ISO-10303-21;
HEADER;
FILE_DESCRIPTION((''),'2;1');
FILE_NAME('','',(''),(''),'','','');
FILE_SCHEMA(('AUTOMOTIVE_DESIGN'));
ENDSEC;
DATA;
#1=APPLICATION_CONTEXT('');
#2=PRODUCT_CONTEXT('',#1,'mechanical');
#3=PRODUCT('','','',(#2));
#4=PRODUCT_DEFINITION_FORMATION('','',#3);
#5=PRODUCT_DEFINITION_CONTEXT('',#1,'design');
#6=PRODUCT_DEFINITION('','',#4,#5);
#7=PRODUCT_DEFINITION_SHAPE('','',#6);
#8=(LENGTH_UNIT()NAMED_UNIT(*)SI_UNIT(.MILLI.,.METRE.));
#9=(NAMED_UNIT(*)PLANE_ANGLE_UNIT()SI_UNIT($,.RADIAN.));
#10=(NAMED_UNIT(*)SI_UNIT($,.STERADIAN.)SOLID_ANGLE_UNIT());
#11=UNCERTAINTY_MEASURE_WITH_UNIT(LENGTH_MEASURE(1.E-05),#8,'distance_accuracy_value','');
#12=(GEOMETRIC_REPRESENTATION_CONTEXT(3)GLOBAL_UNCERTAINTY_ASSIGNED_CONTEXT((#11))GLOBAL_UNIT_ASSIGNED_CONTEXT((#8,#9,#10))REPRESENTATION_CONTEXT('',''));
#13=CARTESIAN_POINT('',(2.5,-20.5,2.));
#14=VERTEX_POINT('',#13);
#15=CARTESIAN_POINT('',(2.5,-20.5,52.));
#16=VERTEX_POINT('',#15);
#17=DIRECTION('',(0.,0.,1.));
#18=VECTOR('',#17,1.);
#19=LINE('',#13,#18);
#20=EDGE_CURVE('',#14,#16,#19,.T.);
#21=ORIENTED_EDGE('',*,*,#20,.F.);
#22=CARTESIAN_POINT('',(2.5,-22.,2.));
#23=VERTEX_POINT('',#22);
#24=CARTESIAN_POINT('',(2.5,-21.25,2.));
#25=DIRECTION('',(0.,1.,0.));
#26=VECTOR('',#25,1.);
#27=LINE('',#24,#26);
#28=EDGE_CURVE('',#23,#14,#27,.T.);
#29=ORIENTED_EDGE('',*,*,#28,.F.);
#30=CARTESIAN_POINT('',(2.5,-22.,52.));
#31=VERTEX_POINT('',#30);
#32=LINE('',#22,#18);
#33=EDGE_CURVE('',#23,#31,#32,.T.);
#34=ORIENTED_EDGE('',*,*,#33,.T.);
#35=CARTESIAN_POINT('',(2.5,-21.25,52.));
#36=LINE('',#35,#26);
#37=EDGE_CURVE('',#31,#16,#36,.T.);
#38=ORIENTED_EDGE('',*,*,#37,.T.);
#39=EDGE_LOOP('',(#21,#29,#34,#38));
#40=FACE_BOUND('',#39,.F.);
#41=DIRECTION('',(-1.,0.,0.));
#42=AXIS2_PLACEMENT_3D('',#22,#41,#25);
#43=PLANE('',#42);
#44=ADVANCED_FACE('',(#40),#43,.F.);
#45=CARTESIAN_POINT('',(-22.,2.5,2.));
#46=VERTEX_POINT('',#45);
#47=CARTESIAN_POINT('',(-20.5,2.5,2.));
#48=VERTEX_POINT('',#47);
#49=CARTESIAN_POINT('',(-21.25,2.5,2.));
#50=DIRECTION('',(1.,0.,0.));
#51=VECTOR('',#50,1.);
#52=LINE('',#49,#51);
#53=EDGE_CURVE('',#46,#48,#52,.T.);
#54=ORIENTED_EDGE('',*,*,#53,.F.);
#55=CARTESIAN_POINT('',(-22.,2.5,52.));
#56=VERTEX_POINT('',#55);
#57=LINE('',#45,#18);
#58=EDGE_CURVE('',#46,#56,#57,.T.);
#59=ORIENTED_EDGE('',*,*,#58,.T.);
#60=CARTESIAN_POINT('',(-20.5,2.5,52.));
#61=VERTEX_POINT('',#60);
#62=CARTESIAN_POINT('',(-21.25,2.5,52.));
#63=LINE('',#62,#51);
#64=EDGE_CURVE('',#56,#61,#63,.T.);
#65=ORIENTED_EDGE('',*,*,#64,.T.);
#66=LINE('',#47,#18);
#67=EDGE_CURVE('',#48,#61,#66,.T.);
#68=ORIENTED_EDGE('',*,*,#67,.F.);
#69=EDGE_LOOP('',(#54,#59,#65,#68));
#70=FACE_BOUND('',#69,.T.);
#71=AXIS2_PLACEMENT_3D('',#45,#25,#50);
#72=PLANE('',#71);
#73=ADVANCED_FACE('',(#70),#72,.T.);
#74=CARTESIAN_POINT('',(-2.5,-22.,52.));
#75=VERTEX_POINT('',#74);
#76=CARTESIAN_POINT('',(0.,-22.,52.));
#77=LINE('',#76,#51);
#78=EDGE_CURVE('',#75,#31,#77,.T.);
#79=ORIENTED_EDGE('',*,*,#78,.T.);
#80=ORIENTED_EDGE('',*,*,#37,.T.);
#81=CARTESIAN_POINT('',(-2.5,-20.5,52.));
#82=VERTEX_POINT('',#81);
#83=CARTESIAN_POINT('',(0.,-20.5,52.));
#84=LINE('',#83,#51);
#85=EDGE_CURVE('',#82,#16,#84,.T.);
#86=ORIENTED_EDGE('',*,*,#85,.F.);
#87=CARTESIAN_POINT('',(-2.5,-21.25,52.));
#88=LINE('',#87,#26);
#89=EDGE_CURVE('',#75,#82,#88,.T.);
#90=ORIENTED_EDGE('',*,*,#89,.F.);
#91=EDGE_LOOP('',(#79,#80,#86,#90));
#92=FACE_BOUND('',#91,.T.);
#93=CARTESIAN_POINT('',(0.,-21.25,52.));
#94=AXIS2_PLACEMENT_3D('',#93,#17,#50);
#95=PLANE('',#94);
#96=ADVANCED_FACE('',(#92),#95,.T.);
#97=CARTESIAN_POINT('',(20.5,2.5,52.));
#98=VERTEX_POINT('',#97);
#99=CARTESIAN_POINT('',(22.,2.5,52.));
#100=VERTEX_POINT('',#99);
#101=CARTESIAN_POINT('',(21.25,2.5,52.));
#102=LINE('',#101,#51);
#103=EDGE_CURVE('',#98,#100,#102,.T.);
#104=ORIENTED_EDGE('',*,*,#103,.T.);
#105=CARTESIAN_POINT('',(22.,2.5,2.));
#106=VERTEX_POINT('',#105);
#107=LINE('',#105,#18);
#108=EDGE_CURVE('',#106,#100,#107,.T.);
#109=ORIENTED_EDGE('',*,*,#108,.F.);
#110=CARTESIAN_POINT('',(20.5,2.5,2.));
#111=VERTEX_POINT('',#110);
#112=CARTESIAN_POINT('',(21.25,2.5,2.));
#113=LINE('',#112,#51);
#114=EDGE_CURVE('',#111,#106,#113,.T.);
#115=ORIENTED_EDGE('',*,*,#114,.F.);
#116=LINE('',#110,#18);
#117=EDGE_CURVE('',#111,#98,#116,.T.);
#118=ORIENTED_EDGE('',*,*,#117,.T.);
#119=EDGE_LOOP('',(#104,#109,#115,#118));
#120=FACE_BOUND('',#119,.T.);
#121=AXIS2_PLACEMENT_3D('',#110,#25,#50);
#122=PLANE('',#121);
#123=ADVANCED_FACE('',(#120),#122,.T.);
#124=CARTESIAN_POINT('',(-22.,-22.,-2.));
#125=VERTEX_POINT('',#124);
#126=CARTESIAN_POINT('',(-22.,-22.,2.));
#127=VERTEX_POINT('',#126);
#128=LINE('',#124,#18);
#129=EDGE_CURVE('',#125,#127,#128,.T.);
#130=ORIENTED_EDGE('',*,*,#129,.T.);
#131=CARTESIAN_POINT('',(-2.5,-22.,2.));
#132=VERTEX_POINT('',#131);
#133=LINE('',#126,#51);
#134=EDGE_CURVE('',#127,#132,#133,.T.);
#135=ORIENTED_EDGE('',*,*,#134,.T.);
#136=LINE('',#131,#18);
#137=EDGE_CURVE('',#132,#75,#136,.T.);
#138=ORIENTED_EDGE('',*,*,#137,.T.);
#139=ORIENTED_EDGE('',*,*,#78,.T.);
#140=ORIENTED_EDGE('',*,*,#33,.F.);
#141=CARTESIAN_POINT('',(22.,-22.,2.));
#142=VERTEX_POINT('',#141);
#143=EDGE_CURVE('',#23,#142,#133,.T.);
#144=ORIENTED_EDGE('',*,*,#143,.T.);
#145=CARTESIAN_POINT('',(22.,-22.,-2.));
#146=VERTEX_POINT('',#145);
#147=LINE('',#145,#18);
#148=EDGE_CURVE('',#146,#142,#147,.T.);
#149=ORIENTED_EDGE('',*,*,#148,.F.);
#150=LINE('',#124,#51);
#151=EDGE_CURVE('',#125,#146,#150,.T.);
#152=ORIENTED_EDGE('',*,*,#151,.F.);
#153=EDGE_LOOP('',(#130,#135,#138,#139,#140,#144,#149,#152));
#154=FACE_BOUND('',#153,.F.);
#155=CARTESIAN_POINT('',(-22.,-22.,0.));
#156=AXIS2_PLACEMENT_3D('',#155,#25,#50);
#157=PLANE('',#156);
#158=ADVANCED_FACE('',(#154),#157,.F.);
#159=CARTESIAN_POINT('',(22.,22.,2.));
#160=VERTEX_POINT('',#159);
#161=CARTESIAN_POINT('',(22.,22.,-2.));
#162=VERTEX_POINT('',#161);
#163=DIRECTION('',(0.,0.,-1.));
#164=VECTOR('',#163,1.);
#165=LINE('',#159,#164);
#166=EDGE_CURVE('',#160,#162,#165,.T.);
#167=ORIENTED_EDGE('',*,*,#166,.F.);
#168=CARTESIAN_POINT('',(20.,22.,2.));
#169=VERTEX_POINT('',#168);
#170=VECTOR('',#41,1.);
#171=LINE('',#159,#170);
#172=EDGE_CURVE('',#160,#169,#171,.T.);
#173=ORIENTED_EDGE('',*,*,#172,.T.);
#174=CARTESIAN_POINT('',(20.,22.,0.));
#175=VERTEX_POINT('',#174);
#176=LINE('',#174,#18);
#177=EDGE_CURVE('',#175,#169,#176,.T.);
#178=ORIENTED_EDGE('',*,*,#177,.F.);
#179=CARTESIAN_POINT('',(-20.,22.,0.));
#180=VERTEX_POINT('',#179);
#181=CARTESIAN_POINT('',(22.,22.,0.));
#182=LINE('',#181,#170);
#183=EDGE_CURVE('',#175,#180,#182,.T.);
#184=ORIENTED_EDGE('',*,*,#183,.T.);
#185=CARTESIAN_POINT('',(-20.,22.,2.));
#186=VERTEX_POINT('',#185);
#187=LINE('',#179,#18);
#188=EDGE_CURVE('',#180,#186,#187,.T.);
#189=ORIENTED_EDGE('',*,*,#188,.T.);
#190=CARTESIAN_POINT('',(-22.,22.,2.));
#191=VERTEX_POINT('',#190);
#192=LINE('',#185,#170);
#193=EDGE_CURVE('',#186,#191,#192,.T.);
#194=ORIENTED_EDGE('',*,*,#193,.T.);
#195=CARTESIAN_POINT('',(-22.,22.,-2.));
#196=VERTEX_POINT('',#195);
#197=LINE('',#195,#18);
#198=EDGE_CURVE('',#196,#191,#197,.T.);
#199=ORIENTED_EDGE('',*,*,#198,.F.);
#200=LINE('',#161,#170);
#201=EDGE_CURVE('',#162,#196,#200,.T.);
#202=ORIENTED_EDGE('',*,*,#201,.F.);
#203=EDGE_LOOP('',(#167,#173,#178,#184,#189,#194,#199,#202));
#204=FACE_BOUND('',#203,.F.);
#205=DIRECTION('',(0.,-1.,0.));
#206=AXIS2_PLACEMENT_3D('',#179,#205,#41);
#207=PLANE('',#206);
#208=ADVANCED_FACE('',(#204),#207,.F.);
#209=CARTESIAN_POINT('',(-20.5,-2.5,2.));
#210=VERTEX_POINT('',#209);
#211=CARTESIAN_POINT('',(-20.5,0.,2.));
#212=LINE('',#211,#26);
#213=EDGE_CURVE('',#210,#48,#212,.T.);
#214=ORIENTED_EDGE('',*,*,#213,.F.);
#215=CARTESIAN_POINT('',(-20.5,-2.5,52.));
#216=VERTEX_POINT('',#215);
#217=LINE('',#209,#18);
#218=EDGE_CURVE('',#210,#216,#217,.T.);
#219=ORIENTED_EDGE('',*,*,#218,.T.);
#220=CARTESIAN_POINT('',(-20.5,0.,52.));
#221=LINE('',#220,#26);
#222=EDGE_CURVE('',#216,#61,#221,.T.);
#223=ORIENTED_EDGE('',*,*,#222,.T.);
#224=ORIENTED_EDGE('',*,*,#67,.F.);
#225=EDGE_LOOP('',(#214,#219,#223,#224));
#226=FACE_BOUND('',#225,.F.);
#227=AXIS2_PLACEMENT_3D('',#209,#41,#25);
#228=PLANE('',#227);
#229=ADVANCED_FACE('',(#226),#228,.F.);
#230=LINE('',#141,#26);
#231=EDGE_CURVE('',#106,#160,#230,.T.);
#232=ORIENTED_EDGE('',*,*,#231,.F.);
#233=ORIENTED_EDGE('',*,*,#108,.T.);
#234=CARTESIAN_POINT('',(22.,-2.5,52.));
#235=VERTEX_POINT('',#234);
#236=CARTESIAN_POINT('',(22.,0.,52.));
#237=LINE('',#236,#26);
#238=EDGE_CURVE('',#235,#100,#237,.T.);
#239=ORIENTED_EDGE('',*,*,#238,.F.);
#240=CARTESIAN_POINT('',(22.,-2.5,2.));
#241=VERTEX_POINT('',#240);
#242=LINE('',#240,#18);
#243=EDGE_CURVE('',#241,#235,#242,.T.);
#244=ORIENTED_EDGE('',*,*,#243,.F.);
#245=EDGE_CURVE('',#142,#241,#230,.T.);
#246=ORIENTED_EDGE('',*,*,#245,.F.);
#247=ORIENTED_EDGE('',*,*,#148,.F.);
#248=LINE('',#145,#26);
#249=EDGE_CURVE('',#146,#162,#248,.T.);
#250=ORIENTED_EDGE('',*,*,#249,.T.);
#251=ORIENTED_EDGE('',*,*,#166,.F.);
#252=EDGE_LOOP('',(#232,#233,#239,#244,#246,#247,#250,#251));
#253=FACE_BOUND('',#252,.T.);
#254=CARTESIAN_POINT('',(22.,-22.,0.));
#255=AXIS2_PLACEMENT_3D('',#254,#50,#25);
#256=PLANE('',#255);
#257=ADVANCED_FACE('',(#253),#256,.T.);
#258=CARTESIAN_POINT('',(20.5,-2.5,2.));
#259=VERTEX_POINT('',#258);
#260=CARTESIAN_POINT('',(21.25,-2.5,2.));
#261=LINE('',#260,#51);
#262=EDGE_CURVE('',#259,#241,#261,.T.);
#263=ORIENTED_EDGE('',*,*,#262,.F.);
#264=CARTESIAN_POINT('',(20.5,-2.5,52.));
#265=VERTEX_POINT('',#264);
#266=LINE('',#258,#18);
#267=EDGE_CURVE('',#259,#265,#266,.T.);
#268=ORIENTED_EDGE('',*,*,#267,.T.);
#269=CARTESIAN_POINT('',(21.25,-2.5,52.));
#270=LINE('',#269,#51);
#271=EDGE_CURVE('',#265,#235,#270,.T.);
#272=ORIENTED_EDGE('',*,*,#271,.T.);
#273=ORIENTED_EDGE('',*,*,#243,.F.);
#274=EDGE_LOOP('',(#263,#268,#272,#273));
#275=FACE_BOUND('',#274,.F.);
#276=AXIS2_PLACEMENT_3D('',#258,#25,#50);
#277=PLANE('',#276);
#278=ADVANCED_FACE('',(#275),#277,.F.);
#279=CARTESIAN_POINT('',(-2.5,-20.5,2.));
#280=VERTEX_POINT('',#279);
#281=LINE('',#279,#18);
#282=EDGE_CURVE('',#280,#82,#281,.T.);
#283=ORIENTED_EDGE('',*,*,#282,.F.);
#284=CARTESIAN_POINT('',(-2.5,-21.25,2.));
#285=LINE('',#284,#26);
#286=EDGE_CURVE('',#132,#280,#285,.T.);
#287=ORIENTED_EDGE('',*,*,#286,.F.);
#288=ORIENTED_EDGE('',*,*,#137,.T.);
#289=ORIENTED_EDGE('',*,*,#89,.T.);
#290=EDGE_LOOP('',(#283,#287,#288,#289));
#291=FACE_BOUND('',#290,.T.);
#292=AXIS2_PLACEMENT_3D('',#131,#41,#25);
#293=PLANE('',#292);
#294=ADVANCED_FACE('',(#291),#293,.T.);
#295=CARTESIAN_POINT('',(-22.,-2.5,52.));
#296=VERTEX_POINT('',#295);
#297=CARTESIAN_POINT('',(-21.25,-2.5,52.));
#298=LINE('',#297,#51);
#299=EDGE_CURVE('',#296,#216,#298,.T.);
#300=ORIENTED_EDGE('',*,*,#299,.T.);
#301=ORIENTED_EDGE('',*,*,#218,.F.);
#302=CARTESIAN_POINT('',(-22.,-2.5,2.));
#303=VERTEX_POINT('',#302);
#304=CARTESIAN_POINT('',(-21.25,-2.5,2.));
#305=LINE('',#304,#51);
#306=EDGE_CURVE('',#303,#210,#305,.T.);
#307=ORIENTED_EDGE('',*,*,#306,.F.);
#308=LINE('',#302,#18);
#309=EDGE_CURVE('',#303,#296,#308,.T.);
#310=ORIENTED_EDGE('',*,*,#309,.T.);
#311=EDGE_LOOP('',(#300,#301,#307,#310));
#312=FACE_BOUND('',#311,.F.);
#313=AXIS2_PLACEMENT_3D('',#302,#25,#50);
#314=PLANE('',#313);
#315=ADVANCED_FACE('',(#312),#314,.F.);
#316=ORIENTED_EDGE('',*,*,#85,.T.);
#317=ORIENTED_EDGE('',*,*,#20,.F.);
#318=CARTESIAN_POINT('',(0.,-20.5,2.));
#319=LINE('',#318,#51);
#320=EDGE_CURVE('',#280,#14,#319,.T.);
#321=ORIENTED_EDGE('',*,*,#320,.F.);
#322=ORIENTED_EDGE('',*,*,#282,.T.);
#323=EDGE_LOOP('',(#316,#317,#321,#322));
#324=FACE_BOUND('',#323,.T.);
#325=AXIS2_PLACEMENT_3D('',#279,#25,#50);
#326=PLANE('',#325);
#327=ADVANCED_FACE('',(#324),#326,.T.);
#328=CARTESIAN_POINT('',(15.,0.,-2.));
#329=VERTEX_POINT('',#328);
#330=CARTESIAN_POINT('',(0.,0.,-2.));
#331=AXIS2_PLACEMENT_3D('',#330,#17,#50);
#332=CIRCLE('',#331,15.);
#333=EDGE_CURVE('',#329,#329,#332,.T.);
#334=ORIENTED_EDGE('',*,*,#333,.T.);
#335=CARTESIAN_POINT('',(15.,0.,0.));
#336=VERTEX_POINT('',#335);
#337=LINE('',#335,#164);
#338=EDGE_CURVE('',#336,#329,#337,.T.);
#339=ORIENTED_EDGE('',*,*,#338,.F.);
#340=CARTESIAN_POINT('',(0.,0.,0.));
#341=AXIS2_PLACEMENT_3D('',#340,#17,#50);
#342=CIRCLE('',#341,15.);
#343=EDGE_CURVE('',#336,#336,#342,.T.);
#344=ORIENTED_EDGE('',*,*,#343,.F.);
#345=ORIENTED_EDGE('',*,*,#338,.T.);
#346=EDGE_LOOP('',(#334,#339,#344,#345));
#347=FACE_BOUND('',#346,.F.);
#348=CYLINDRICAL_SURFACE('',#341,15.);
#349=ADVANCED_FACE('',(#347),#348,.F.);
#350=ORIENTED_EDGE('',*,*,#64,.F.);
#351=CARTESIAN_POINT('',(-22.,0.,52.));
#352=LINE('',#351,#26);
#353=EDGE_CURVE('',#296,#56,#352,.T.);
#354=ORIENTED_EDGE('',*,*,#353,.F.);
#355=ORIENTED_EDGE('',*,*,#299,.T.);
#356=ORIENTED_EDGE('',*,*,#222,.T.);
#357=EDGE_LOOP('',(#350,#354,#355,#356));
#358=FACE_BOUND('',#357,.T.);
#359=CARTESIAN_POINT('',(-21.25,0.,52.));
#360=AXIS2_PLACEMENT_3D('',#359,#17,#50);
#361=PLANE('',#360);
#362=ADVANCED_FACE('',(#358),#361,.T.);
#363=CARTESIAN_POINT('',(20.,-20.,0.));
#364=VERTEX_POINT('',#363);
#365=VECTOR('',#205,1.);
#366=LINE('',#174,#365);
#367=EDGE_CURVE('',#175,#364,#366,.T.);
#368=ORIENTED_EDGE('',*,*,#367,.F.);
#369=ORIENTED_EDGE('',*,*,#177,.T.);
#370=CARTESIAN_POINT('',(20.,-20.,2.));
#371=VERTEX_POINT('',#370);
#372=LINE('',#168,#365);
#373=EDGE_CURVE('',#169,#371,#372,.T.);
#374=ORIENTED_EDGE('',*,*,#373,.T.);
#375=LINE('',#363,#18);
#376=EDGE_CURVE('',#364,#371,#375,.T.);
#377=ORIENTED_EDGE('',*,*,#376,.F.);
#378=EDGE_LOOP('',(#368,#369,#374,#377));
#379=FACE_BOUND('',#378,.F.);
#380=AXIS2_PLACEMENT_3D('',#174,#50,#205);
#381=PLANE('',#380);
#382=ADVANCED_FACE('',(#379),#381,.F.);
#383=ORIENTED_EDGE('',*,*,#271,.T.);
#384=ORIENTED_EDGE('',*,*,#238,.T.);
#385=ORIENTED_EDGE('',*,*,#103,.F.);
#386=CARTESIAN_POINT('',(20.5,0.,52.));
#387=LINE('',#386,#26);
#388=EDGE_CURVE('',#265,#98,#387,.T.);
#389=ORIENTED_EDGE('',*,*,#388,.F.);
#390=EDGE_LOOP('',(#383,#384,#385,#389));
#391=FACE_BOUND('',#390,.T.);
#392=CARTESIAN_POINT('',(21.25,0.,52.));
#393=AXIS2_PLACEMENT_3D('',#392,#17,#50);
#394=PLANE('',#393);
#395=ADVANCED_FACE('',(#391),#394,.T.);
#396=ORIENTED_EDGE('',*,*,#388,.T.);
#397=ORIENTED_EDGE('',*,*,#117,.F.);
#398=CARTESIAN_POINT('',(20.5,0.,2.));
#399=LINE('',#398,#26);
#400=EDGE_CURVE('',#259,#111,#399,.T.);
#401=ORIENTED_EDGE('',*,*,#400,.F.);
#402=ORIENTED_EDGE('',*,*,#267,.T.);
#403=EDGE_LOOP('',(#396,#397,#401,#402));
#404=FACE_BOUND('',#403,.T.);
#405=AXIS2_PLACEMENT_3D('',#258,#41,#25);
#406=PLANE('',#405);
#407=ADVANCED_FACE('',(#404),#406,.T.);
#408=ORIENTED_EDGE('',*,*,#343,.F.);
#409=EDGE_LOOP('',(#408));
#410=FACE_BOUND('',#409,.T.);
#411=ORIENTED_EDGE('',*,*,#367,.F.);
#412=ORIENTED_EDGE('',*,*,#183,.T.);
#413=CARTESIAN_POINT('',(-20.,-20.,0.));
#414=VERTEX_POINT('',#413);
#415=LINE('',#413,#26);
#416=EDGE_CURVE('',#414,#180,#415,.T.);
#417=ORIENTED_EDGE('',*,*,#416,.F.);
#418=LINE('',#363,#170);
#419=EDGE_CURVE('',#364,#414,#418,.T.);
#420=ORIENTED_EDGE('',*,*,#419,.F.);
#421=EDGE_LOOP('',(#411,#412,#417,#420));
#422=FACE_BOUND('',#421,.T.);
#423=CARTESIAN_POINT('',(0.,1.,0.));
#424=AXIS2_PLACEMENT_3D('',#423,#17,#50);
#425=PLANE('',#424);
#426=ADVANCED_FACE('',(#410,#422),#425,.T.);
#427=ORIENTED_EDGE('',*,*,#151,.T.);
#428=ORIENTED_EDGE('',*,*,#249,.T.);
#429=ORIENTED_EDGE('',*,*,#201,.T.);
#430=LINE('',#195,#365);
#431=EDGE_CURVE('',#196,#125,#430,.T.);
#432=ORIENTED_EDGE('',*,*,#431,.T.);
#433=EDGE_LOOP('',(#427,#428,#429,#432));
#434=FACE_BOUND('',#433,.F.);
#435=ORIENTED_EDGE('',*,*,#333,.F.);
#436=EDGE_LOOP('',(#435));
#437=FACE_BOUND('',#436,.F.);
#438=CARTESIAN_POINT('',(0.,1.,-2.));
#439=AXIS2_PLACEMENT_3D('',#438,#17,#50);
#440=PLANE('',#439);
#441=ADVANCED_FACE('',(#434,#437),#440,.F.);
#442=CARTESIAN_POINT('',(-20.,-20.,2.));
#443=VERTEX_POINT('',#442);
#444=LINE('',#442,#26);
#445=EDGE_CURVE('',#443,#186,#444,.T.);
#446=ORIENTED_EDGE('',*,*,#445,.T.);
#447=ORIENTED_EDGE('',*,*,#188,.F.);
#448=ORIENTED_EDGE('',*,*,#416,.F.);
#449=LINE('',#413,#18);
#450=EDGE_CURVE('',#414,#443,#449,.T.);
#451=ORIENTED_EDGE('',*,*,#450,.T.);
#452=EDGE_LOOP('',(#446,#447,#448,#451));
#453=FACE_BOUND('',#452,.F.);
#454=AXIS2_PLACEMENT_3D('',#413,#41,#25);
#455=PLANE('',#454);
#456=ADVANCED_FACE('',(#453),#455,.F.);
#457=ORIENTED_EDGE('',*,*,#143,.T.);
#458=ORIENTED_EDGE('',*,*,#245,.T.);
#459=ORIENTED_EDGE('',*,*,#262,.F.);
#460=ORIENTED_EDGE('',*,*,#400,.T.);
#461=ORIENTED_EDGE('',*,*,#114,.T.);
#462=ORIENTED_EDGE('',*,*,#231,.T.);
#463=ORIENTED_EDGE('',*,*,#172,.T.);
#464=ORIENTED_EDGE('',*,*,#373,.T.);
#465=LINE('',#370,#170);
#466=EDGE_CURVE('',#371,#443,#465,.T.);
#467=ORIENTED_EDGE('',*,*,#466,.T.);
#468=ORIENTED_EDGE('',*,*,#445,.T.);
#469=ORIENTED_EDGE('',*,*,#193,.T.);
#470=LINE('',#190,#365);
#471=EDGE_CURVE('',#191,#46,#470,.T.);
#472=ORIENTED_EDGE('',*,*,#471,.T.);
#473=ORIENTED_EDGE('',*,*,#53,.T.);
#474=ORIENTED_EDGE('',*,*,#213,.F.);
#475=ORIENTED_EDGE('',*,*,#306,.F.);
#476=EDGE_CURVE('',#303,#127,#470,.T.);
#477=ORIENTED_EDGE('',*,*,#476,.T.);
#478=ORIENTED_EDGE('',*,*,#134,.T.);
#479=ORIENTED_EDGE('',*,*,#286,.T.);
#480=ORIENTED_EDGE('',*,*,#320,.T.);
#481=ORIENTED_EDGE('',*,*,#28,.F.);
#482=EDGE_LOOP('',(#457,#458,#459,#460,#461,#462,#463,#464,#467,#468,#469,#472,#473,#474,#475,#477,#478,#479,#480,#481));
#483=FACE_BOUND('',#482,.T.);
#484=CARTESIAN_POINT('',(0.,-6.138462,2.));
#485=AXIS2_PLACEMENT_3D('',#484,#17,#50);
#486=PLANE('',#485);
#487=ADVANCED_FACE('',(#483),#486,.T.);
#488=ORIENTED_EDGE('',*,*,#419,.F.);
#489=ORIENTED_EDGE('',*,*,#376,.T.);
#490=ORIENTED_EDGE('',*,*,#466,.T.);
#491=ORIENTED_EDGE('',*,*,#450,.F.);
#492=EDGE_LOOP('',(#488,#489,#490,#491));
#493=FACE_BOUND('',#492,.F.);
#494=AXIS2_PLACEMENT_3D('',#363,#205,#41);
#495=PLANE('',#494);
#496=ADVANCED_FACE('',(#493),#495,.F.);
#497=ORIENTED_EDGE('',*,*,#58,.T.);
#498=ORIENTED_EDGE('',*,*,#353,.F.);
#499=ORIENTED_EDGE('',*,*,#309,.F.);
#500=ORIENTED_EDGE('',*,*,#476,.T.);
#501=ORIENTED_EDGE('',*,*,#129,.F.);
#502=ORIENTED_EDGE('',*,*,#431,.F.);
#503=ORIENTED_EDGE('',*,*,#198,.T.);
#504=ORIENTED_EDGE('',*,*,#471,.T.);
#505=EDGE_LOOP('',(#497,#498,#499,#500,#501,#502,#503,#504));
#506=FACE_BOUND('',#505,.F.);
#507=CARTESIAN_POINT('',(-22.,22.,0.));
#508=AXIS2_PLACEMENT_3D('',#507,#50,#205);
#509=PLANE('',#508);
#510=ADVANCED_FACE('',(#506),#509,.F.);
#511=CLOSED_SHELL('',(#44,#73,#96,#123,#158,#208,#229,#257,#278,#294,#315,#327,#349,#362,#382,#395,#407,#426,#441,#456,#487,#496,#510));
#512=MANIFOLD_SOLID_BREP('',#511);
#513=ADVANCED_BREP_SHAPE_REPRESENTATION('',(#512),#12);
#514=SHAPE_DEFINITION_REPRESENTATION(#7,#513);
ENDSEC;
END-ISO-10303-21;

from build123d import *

# Parameters (mm, degrees)
F0_W     = 40
F0_H     = 42
F0_R     = 15
F1_DEPTH = 2
F2_DEPTH = 2
F3_W     = 1.5
F3_H     = 5
F3_W_2   = 5
F3_H_2   = 1.5
F4_DEPTH = 50


with BuildPart() as f1:
    # F0 (on Top) → F1 (new body)
    with BuildSketch(Plane.XY):
        with Locations((0, 1)):
            Rectangle(F0_W, F0_H)
        Circle(F0_R, mode=Mode.SUBTRACT)
        Polygon((-20, 22), (-22, 22), (-22, -22), (22, -22), (22, 22), (20, 22), (20, -20), (-20, -20), align=None)
    extrude(amount=-F1_DEPTH)

    # F0 (on Top) → F2 (join)
    with BuildSketch(Plane.XY):
        Polygon((-20, 22), (-22, 22), (-22, -22), (22, -22), (22, 22), (20, 22), (20, -20), (-20, -20), align=None)
    extrude(amount=F2_DEPTH)

    # F3 (on face) → F4 (join)
    with BuildSketch(Plane.XY.offset(2)):
        with Locations((-21.25, 0)):
            Rectangle(F3_W, F3_H)
        with Locations((0, -21.25)):
            Rectangle(F3_W_2, F3_H_2)
        with Locations((21.25, 0)):
            Rectangle(F3_W, F3_H)
    extrude(amount=F4_DEPTH)


solid = f1.part
